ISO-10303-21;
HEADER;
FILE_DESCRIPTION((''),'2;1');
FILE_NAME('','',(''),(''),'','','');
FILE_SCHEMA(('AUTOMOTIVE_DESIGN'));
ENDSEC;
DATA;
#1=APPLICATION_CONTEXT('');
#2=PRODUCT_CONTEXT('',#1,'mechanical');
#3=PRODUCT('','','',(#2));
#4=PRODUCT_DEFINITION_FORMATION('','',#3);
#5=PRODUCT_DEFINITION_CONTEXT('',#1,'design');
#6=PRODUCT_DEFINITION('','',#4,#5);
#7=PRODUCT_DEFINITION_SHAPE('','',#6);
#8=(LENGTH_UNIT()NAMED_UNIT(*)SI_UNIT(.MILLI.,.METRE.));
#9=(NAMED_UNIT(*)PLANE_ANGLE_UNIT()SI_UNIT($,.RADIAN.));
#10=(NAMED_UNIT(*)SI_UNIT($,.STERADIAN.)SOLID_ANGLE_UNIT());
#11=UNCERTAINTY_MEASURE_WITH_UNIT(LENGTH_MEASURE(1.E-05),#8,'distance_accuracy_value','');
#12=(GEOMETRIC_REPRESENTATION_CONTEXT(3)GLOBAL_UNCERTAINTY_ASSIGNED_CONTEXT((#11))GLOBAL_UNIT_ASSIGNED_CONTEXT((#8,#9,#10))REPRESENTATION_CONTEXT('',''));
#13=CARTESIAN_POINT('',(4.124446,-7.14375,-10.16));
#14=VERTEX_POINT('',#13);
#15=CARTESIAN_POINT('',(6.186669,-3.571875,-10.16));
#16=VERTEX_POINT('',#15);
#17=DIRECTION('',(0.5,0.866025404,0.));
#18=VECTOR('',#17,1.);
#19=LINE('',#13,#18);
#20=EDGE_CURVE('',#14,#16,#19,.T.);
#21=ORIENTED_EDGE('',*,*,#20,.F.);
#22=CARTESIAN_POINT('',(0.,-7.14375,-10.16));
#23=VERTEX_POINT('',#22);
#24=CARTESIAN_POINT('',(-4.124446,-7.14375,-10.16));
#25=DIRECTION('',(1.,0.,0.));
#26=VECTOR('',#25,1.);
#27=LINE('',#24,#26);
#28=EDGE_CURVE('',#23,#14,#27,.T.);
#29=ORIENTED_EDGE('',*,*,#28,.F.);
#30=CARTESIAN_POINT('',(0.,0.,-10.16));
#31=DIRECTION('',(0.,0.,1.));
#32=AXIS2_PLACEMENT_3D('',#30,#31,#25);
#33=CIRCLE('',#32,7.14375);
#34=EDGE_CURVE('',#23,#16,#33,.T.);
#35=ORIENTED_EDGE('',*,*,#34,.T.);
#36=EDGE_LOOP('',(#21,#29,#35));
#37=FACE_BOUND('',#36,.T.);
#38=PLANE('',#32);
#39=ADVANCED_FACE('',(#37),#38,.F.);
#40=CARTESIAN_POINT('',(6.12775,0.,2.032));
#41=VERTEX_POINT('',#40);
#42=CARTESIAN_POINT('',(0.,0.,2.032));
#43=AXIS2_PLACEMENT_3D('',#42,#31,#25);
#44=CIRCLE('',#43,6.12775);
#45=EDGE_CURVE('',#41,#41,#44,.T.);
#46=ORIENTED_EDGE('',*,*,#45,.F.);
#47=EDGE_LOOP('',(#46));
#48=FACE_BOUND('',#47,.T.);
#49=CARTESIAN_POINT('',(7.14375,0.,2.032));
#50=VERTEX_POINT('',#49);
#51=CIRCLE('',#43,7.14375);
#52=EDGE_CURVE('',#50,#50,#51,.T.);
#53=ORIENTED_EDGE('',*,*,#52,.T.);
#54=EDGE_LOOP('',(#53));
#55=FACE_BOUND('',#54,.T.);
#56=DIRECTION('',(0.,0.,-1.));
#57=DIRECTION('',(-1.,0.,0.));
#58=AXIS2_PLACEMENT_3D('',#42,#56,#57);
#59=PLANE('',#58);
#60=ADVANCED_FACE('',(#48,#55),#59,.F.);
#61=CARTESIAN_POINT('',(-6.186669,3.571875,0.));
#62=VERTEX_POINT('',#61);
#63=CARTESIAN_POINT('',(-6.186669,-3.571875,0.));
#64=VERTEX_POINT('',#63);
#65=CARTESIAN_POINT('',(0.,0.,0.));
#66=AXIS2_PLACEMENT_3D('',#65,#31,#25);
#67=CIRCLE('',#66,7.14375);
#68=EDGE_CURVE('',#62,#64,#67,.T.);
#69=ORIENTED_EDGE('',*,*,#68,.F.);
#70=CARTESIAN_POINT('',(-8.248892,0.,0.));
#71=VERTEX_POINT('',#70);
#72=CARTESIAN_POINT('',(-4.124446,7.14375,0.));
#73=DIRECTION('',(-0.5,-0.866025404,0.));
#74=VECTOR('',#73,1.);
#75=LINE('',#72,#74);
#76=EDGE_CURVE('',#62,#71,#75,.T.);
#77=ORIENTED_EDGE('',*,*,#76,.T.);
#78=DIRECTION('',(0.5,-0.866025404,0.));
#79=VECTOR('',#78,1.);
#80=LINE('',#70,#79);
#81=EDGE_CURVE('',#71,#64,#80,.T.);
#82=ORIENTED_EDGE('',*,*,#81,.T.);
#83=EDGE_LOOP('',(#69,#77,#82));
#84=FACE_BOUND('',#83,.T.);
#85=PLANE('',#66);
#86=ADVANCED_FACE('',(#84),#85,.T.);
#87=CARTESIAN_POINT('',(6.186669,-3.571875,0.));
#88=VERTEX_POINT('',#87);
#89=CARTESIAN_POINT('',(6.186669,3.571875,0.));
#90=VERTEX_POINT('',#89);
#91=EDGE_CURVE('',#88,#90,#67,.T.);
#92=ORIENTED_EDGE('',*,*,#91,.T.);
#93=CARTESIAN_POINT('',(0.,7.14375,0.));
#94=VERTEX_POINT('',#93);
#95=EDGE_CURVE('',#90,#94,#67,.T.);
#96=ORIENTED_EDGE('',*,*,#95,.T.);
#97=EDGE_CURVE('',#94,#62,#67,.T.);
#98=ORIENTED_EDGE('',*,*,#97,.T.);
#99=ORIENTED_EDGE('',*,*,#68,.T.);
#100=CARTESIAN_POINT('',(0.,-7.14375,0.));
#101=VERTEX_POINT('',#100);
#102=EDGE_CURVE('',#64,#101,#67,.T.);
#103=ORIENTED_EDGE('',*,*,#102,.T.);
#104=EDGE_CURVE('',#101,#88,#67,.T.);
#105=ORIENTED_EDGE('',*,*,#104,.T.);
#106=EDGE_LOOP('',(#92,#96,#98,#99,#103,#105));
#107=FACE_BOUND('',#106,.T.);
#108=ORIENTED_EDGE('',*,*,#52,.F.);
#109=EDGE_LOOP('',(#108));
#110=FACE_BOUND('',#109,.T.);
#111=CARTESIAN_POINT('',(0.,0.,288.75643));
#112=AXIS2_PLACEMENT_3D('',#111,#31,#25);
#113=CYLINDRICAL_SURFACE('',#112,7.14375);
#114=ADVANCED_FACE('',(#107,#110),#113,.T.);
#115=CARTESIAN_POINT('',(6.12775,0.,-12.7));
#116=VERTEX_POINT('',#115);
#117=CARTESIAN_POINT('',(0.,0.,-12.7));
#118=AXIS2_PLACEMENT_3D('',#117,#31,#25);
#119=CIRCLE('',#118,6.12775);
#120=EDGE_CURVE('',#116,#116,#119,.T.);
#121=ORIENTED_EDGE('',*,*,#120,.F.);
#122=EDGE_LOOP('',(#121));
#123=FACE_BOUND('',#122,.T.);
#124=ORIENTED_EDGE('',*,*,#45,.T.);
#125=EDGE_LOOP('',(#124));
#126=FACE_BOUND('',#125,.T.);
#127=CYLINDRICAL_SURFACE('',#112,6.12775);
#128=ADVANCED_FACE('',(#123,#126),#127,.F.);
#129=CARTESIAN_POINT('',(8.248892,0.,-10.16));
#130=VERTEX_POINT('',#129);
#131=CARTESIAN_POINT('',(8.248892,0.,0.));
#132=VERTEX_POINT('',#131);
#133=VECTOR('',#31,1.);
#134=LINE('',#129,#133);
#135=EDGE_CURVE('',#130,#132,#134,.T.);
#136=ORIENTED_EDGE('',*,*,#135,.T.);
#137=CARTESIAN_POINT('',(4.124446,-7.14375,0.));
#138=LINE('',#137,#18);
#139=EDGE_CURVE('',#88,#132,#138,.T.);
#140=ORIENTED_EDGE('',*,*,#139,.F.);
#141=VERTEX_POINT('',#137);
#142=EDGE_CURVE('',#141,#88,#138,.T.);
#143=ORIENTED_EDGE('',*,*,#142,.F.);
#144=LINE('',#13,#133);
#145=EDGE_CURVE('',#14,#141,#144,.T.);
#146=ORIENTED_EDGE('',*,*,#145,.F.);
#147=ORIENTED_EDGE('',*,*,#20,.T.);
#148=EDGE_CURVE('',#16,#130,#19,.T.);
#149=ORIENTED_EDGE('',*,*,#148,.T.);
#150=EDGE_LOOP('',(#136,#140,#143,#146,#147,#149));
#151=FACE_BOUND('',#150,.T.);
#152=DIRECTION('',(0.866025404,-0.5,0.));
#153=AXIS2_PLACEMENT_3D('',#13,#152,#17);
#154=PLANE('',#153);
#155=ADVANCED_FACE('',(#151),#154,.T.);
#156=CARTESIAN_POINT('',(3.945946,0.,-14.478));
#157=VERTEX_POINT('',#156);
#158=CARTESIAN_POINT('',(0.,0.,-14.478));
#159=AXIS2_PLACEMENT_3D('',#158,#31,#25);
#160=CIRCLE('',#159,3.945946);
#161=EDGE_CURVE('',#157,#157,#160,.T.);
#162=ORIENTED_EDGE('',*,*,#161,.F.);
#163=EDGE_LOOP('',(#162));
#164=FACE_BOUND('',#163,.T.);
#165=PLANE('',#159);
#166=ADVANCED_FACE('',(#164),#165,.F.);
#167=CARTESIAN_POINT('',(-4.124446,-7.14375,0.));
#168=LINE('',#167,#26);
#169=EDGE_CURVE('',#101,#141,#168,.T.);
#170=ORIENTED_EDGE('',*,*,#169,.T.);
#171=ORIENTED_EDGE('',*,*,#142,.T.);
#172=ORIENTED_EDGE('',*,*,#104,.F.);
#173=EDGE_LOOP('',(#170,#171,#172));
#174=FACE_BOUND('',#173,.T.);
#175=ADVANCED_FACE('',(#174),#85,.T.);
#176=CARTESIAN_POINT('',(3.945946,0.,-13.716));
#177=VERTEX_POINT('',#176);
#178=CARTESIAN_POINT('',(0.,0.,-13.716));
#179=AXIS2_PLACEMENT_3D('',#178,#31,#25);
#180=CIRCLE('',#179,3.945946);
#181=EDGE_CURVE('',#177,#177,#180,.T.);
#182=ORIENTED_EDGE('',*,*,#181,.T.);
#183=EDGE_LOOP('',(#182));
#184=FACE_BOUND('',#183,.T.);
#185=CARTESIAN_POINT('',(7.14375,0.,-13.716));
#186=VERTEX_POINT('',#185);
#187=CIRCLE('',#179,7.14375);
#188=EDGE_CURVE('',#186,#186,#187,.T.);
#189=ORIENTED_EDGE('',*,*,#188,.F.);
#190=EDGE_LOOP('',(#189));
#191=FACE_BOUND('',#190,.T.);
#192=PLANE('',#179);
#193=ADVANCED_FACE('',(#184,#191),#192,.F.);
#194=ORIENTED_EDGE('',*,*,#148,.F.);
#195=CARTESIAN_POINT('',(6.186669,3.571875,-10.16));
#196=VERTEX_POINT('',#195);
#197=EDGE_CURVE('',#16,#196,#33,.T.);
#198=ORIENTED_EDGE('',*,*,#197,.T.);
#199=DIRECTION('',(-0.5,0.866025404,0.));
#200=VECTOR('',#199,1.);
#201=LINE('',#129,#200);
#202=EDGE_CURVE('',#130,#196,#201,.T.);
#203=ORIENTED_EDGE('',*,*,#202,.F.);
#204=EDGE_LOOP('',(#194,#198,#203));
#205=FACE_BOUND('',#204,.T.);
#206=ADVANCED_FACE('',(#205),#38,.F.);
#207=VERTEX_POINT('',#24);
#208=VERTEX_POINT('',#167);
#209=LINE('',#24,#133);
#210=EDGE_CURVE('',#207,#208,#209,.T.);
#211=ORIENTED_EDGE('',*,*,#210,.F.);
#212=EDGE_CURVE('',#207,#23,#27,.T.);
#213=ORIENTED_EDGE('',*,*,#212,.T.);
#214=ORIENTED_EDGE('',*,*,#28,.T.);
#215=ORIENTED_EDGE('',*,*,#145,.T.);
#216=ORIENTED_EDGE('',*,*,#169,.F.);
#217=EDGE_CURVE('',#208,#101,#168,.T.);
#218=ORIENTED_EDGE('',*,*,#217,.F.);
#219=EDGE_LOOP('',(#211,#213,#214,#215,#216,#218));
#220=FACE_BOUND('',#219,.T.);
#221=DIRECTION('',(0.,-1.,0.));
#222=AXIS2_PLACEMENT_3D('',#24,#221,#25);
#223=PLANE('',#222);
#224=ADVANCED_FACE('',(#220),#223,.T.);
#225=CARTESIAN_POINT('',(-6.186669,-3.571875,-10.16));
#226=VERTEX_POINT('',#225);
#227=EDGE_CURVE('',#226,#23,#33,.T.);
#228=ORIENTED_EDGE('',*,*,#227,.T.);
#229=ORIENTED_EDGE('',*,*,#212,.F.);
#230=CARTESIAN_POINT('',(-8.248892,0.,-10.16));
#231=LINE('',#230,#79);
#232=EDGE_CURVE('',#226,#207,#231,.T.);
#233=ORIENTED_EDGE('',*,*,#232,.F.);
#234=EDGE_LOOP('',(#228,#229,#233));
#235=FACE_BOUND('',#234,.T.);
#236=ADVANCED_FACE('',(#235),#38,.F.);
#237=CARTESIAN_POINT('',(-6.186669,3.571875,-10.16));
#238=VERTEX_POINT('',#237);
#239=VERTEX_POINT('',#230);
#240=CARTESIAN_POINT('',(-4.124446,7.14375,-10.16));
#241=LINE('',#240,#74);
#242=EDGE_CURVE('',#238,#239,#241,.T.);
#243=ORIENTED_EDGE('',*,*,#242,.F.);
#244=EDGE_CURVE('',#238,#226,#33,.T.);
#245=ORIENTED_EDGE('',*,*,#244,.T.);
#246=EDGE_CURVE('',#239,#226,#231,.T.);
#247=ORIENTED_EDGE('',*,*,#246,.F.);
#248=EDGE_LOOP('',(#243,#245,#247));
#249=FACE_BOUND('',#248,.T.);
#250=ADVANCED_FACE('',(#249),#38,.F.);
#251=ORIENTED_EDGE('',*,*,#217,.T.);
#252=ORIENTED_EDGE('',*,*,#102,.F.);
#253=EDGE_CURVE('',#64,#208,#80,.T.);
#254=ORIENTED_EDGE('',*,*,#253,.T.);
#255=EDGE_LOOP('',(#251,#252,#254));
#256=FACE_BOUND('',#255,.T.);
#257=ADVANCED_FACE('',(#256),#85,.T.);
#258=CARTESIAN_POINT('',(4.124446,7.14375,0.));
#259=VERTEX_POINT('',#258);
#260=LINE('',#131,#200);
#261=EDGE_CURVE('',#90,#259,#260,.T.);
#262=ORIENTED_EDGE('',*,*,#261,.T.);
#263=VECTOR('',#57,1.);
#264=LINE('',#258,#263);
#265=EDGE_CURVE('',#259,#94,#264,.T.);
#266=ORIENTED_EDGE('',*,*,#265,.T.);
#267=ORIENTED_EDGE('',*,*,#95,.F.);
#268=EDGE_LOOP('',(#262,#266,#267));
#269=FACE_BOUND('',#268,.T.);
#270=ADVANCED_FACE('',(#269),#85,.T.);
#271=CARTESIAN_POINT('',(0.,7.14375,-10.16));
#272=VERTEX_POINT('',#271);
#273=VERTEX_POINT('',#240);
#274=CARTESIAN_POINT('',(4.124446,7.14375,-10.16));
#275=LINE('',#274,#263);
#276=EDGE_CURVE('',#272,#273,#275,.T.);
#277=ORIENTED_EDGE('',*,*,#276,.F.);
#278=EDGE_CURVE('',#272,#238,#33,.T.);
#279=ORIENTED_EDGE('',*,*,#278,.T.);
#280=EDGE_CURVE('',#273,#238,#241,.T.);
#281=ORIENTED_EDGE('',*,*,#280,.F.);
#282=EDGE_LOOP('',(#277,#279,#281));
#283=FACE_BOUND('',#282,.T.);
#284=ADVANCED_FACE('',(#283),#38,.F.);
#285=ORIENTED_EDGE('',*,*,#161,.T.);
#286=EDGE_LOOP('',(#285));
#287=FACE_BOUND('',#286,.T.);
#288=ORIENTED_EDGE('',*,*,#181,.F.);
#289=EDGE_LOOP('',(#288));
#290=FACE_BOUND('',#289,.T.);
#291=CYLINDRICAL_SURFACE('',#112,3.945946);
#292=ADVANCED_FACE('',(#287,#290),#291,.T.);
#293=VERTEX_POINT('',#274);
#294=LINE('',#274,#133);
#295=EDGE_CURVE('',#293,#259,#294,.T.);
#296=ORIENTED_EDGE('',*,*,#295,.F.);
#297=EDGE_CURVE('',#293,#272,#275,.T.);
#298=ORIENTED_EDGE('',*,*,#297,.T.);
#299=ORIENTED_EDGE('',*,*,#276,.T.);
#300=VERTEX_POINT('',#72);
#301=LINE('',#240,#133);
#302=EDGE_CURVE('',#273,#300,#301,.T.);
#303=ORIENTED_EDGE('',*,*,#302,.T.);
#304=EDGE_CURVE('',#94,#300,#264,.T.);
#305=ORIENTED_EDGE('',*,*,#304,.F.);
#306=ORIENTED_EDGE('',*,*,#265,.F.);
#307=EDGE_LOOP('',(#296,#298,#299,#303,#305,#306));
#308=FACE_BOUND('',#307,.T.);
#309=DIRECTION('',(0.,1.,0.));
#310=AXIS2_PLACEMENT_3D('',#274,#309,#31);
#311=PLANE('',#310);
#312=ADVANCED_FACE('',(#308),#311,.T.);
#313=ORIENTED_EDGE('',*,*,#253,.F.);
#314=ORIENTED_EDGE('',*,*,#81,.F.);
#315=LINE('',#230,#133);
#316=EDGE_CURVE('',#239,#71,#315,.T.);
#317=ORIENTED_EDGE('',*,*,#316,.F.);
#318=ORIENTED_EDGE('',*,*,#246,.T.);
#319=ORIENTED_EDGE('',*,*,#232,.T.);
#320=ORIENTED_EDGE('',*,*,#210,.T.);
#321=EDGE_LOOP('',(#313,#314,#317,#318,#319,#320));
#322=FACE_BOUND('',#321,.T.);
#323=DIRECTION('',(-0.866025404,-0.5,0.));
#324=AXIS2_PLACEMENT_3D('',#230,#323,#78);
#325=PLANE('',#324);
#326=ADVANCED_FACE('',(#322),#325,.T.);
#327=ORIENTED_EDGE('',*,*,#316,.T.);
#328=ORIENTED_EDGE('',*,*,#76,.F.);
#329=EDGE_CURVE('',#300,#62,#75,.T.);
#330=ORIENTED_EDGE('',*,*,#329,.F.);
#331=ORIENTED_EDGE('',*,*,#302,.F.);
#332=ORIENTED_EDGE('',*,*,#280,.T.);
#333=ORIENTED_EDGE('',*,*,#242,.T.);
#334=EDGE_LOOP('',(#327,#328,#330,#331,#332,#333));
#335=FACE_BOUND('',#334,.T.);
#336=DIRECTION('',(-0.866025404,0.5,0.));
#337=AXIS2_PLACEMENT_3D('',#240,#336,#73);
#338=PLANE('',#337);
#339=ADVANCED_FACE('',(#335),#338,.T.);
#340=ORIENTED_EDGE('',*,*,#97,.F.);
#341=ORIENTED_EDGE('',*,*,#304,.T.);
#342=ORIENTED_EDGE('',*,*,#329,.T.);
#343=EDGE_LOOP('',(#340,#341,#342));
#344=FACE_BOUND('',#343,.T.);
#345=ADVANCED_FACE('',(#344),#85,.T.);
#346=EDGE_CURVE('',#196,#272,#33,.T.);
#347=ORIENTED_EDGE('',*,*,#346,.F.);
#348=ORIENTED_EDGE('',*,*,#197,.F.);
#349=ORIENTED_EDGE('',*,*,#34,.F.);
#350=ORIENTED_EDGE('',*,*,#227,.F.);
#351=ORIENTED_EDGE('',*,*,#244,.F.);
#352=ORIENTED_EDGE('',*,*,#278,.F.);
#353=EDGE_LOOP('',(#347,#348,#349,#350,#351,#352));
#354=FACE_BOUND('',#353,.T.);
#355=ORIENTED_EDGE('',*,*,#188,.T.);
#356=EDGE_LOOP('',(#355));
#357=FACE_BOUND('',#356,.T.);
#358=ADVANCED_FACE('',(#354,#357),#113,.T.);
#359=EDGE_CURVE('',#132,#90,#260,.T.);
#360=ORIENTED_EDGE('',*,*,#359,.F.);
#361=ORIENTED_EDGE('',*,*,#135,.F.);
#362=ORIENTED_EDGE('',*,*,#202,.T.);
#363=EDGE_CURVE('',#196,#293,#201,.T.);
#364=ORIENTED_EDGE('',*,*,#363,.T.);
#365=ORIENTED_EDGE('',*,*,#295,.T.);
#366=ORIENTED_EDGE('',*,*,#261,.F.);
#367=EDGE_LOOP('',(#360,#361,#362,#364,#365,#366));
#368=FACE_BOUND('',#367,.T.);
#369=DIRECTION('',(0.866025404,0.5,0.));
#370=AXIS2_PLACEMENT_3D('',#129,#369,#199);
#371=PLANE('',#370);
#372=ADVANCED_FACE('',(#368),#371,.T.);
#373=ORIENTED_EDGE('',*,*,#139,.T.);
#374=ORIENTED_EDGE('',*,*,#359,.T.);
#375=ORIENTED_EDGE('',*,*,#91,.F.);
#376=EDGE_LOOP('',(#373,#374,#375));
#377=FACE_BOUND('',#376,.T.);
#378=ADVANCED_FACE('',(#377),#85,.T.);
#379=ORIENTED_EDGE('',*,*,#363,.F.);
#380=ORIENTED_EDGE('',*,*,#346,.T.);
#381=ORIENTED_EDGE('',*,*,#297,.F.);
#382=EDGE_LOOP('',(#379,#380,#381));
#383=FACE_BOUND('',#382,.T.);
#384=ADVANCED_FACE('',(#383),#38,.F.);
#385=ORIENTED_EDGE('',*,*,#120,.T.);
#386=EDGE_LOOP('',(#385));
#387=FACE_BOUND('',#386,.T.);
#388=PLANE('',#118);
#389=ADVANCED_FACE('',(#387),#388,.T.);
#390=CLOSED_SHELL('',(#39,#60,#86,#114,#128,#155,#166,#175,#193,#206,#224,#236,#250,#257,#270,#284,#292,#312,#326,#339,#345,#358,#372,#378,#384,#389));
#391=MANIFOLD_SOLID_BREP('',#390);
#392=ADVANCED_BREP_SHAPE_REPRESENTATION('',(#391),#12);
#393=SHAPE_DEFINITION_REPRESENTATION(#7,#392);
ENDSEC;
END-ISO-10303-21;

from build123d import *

# Parameters (mm, degrees)
SKETCH1_W           = 1.016
SKETCH1_H           = 14.732
SKETCH1_W_2         = 7.14375
SKETCH1_H_2         = 1.016
SKETCH1_W_3         = 3.945946328
SKETCH1_H_3         = 0.762
SKETCH2_R           = 6.12775
BOSS_EXTRUDE1_DEPTH = 10.16


with BuildPart() as part:
    # Sketch1 → Revolve1 (revolve)
    with BuildSketch(Plane(origin=(0, 0, 0), x_dir=(1, 0, 0), z_dir=(0, 1, 0))):
        with Locations((6.63575, 5.334)):
            Rectangle(SKETCH1_W, SKETCH1_H)
        with Locations((3.571875, 13.208)):
            Rectangle(SKETCH1_W_2, SKETCH1_H_2)
        with Locations((1.972973164, 14.097)):
            Rectangle(SKETCH1_W_3, SKETCH1_H_3)
    revolve(axis=Axis((0, 0, 288.756429932), (0, 0, -1)))

    # Sketch2 → Boss-Extrude1 (add)
    with BuildSketch(Plane.XY):
        Polygon((8.248891971, 0), (4.124445986, 7.14375), (-4.124445986, 7.14375), (-8.248891971, 0), (-4.124445986, -7.14375), (4.124445986, -7.14375), align=None)
        Circle(SKETCH2_R, mode=Mode.SUBTRACT)
    extrude(amount=-BOSS_EXTRUDE1_DEPTH)


solid = part.part
